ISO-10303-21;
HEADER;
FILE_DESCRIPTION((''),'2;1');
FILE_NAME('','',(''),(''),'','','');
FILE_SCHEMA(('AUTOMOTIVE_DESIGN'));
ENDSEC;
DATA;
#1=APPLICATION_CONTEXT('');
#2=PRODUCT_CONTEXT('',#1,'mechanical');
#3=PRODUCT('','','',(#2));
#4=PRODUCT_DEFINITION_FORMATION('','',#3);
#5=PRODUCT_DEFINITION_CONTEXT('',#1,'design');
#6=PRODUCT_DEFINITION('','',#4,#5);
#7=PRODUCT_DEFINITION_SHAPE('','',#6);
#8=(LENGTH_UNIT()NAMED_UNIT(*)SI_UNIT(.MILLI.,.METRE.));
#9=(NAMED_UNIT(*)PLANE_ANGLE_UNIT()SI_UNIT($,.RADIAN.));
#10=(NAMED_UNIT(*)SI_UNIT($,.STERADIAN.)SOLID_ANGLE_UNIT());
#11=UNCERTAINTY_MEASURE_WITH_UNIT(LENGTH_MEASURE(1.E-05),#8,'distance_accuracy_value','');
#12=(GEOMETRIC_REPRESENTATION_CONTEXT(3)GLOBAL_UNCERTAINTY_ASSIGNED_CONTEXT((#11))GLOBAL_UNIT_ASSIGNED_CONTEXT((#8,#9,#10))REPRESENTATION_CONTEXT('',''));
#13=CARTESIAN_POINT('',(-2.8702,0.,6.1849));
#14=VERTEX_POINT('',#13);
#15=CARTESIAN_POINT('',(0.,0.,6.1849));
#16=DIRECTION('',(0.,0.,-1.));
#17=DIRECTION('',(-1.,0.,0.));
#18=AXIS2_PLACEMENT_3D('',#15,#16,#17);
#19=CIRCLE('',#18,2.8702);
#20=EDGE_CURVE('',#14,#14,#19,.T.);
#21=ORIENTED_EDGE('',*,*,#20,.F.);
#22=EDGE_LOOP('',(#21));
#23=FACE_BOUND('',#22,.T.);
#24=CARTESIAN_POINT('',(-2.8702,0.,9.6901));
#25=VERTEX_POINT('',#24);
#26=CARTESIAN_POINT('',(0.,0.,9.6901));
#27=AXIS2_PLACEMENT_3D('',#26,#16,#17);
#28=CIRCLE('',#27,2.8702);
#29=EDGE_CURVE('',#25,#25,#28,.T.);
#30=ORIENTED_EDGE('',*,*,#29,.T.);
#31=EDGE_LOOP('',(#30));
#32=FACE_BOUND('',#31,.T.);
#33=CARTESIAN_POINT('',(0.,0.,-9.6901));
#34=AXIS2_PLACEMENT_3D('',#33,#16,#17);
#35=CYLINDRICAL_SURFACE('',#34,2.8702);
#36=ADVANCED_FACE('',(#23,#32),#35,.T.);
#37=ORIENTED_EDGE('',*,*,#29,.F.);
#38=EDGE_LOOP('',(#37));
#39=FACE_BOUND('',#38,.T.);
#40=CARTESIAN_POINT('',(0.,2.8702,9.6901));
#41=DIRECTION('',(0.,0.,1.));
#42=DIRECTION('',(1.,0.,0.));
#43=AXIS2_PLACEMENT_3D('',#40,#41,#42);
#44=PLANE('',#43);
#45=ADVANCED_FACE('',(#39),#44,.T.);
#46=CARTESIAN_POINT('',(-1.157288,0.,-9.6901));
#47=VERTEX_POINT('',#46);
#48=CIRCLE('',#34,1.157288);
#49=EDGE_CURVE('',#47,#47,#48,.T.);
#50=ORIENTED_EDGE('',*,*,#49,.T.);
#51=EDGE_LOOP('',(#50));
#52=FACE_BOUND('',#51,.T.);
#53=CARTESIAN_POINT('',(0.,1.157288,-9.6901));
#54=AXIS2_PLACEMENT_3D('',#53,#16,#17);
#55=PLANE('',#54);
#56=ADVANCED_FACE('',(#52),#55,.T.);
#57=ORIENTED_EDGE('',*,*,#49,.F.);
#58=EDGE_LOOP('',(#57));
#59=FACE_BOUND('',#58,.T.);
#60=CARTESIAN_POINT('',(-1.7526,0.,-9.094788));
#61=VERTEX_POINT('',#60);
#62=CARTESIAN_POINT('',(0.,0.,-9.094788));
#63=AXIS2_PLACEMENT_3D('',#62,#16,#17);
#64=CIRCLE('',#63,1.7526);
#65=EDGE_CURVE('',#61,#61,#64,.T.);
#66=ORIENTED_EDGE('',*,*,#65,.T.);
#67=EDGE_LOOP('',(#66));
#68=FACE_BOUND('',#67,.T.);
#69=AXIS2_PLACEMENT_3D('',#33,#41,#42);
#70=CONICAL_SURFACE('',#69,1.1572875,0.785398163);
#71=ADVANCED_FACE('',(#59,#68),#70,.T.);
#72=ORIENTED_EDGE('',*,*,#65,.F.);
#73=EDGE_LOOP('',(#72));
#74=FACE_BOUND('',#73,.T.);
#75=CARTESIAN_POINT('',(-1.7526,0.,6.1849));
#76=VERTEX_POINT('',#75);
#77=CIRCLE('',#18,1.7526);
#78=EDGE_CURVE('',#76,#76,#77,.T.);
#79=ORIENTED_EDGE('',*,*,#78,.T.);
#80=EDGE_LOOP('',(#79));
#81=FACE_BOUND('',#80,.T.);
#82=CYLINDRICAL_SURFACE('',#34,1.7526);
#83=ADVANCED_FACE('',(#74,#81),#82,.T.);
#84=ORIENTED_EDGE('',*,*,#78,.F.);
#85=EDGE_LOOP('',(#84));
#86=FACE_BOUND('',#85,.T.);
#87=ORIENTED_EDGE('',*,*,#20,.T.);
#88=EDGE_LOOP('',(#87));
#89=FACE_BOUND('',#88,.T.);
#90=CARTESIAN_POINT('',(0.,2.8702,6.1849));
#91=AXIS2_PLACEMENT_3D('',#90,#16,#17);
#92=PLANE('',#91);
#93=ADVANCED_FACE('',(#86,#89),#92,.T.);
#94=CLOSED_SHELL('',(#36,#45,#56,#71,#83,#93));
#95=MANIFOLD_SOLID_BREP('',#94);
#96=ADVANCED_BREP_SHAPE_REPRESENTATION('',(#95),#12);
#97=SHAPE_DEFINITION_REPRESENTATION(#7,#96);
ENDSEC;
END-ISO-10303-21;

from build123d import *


with BuildPart() as part:
    # Sketch2 → Revolve1 (revolve)
    with BuildSketch(Plane(origin=(0, 0, 0), x_dir=(0, 0, -1), z_dir=(1, 0, 0))):
        Polygon((9.6901, 1.1572875), (9.0947875, 1.7526), (-6.1849, 1.7526), (-6.1849, 2.8702), (-9.6901, 2.8702), (-9.6901, 0), (9.6901, 0), align=None)
    revolve(axis=Axis((0, 0, -9.6901), (0, 0, 1)))


solid = part.part
